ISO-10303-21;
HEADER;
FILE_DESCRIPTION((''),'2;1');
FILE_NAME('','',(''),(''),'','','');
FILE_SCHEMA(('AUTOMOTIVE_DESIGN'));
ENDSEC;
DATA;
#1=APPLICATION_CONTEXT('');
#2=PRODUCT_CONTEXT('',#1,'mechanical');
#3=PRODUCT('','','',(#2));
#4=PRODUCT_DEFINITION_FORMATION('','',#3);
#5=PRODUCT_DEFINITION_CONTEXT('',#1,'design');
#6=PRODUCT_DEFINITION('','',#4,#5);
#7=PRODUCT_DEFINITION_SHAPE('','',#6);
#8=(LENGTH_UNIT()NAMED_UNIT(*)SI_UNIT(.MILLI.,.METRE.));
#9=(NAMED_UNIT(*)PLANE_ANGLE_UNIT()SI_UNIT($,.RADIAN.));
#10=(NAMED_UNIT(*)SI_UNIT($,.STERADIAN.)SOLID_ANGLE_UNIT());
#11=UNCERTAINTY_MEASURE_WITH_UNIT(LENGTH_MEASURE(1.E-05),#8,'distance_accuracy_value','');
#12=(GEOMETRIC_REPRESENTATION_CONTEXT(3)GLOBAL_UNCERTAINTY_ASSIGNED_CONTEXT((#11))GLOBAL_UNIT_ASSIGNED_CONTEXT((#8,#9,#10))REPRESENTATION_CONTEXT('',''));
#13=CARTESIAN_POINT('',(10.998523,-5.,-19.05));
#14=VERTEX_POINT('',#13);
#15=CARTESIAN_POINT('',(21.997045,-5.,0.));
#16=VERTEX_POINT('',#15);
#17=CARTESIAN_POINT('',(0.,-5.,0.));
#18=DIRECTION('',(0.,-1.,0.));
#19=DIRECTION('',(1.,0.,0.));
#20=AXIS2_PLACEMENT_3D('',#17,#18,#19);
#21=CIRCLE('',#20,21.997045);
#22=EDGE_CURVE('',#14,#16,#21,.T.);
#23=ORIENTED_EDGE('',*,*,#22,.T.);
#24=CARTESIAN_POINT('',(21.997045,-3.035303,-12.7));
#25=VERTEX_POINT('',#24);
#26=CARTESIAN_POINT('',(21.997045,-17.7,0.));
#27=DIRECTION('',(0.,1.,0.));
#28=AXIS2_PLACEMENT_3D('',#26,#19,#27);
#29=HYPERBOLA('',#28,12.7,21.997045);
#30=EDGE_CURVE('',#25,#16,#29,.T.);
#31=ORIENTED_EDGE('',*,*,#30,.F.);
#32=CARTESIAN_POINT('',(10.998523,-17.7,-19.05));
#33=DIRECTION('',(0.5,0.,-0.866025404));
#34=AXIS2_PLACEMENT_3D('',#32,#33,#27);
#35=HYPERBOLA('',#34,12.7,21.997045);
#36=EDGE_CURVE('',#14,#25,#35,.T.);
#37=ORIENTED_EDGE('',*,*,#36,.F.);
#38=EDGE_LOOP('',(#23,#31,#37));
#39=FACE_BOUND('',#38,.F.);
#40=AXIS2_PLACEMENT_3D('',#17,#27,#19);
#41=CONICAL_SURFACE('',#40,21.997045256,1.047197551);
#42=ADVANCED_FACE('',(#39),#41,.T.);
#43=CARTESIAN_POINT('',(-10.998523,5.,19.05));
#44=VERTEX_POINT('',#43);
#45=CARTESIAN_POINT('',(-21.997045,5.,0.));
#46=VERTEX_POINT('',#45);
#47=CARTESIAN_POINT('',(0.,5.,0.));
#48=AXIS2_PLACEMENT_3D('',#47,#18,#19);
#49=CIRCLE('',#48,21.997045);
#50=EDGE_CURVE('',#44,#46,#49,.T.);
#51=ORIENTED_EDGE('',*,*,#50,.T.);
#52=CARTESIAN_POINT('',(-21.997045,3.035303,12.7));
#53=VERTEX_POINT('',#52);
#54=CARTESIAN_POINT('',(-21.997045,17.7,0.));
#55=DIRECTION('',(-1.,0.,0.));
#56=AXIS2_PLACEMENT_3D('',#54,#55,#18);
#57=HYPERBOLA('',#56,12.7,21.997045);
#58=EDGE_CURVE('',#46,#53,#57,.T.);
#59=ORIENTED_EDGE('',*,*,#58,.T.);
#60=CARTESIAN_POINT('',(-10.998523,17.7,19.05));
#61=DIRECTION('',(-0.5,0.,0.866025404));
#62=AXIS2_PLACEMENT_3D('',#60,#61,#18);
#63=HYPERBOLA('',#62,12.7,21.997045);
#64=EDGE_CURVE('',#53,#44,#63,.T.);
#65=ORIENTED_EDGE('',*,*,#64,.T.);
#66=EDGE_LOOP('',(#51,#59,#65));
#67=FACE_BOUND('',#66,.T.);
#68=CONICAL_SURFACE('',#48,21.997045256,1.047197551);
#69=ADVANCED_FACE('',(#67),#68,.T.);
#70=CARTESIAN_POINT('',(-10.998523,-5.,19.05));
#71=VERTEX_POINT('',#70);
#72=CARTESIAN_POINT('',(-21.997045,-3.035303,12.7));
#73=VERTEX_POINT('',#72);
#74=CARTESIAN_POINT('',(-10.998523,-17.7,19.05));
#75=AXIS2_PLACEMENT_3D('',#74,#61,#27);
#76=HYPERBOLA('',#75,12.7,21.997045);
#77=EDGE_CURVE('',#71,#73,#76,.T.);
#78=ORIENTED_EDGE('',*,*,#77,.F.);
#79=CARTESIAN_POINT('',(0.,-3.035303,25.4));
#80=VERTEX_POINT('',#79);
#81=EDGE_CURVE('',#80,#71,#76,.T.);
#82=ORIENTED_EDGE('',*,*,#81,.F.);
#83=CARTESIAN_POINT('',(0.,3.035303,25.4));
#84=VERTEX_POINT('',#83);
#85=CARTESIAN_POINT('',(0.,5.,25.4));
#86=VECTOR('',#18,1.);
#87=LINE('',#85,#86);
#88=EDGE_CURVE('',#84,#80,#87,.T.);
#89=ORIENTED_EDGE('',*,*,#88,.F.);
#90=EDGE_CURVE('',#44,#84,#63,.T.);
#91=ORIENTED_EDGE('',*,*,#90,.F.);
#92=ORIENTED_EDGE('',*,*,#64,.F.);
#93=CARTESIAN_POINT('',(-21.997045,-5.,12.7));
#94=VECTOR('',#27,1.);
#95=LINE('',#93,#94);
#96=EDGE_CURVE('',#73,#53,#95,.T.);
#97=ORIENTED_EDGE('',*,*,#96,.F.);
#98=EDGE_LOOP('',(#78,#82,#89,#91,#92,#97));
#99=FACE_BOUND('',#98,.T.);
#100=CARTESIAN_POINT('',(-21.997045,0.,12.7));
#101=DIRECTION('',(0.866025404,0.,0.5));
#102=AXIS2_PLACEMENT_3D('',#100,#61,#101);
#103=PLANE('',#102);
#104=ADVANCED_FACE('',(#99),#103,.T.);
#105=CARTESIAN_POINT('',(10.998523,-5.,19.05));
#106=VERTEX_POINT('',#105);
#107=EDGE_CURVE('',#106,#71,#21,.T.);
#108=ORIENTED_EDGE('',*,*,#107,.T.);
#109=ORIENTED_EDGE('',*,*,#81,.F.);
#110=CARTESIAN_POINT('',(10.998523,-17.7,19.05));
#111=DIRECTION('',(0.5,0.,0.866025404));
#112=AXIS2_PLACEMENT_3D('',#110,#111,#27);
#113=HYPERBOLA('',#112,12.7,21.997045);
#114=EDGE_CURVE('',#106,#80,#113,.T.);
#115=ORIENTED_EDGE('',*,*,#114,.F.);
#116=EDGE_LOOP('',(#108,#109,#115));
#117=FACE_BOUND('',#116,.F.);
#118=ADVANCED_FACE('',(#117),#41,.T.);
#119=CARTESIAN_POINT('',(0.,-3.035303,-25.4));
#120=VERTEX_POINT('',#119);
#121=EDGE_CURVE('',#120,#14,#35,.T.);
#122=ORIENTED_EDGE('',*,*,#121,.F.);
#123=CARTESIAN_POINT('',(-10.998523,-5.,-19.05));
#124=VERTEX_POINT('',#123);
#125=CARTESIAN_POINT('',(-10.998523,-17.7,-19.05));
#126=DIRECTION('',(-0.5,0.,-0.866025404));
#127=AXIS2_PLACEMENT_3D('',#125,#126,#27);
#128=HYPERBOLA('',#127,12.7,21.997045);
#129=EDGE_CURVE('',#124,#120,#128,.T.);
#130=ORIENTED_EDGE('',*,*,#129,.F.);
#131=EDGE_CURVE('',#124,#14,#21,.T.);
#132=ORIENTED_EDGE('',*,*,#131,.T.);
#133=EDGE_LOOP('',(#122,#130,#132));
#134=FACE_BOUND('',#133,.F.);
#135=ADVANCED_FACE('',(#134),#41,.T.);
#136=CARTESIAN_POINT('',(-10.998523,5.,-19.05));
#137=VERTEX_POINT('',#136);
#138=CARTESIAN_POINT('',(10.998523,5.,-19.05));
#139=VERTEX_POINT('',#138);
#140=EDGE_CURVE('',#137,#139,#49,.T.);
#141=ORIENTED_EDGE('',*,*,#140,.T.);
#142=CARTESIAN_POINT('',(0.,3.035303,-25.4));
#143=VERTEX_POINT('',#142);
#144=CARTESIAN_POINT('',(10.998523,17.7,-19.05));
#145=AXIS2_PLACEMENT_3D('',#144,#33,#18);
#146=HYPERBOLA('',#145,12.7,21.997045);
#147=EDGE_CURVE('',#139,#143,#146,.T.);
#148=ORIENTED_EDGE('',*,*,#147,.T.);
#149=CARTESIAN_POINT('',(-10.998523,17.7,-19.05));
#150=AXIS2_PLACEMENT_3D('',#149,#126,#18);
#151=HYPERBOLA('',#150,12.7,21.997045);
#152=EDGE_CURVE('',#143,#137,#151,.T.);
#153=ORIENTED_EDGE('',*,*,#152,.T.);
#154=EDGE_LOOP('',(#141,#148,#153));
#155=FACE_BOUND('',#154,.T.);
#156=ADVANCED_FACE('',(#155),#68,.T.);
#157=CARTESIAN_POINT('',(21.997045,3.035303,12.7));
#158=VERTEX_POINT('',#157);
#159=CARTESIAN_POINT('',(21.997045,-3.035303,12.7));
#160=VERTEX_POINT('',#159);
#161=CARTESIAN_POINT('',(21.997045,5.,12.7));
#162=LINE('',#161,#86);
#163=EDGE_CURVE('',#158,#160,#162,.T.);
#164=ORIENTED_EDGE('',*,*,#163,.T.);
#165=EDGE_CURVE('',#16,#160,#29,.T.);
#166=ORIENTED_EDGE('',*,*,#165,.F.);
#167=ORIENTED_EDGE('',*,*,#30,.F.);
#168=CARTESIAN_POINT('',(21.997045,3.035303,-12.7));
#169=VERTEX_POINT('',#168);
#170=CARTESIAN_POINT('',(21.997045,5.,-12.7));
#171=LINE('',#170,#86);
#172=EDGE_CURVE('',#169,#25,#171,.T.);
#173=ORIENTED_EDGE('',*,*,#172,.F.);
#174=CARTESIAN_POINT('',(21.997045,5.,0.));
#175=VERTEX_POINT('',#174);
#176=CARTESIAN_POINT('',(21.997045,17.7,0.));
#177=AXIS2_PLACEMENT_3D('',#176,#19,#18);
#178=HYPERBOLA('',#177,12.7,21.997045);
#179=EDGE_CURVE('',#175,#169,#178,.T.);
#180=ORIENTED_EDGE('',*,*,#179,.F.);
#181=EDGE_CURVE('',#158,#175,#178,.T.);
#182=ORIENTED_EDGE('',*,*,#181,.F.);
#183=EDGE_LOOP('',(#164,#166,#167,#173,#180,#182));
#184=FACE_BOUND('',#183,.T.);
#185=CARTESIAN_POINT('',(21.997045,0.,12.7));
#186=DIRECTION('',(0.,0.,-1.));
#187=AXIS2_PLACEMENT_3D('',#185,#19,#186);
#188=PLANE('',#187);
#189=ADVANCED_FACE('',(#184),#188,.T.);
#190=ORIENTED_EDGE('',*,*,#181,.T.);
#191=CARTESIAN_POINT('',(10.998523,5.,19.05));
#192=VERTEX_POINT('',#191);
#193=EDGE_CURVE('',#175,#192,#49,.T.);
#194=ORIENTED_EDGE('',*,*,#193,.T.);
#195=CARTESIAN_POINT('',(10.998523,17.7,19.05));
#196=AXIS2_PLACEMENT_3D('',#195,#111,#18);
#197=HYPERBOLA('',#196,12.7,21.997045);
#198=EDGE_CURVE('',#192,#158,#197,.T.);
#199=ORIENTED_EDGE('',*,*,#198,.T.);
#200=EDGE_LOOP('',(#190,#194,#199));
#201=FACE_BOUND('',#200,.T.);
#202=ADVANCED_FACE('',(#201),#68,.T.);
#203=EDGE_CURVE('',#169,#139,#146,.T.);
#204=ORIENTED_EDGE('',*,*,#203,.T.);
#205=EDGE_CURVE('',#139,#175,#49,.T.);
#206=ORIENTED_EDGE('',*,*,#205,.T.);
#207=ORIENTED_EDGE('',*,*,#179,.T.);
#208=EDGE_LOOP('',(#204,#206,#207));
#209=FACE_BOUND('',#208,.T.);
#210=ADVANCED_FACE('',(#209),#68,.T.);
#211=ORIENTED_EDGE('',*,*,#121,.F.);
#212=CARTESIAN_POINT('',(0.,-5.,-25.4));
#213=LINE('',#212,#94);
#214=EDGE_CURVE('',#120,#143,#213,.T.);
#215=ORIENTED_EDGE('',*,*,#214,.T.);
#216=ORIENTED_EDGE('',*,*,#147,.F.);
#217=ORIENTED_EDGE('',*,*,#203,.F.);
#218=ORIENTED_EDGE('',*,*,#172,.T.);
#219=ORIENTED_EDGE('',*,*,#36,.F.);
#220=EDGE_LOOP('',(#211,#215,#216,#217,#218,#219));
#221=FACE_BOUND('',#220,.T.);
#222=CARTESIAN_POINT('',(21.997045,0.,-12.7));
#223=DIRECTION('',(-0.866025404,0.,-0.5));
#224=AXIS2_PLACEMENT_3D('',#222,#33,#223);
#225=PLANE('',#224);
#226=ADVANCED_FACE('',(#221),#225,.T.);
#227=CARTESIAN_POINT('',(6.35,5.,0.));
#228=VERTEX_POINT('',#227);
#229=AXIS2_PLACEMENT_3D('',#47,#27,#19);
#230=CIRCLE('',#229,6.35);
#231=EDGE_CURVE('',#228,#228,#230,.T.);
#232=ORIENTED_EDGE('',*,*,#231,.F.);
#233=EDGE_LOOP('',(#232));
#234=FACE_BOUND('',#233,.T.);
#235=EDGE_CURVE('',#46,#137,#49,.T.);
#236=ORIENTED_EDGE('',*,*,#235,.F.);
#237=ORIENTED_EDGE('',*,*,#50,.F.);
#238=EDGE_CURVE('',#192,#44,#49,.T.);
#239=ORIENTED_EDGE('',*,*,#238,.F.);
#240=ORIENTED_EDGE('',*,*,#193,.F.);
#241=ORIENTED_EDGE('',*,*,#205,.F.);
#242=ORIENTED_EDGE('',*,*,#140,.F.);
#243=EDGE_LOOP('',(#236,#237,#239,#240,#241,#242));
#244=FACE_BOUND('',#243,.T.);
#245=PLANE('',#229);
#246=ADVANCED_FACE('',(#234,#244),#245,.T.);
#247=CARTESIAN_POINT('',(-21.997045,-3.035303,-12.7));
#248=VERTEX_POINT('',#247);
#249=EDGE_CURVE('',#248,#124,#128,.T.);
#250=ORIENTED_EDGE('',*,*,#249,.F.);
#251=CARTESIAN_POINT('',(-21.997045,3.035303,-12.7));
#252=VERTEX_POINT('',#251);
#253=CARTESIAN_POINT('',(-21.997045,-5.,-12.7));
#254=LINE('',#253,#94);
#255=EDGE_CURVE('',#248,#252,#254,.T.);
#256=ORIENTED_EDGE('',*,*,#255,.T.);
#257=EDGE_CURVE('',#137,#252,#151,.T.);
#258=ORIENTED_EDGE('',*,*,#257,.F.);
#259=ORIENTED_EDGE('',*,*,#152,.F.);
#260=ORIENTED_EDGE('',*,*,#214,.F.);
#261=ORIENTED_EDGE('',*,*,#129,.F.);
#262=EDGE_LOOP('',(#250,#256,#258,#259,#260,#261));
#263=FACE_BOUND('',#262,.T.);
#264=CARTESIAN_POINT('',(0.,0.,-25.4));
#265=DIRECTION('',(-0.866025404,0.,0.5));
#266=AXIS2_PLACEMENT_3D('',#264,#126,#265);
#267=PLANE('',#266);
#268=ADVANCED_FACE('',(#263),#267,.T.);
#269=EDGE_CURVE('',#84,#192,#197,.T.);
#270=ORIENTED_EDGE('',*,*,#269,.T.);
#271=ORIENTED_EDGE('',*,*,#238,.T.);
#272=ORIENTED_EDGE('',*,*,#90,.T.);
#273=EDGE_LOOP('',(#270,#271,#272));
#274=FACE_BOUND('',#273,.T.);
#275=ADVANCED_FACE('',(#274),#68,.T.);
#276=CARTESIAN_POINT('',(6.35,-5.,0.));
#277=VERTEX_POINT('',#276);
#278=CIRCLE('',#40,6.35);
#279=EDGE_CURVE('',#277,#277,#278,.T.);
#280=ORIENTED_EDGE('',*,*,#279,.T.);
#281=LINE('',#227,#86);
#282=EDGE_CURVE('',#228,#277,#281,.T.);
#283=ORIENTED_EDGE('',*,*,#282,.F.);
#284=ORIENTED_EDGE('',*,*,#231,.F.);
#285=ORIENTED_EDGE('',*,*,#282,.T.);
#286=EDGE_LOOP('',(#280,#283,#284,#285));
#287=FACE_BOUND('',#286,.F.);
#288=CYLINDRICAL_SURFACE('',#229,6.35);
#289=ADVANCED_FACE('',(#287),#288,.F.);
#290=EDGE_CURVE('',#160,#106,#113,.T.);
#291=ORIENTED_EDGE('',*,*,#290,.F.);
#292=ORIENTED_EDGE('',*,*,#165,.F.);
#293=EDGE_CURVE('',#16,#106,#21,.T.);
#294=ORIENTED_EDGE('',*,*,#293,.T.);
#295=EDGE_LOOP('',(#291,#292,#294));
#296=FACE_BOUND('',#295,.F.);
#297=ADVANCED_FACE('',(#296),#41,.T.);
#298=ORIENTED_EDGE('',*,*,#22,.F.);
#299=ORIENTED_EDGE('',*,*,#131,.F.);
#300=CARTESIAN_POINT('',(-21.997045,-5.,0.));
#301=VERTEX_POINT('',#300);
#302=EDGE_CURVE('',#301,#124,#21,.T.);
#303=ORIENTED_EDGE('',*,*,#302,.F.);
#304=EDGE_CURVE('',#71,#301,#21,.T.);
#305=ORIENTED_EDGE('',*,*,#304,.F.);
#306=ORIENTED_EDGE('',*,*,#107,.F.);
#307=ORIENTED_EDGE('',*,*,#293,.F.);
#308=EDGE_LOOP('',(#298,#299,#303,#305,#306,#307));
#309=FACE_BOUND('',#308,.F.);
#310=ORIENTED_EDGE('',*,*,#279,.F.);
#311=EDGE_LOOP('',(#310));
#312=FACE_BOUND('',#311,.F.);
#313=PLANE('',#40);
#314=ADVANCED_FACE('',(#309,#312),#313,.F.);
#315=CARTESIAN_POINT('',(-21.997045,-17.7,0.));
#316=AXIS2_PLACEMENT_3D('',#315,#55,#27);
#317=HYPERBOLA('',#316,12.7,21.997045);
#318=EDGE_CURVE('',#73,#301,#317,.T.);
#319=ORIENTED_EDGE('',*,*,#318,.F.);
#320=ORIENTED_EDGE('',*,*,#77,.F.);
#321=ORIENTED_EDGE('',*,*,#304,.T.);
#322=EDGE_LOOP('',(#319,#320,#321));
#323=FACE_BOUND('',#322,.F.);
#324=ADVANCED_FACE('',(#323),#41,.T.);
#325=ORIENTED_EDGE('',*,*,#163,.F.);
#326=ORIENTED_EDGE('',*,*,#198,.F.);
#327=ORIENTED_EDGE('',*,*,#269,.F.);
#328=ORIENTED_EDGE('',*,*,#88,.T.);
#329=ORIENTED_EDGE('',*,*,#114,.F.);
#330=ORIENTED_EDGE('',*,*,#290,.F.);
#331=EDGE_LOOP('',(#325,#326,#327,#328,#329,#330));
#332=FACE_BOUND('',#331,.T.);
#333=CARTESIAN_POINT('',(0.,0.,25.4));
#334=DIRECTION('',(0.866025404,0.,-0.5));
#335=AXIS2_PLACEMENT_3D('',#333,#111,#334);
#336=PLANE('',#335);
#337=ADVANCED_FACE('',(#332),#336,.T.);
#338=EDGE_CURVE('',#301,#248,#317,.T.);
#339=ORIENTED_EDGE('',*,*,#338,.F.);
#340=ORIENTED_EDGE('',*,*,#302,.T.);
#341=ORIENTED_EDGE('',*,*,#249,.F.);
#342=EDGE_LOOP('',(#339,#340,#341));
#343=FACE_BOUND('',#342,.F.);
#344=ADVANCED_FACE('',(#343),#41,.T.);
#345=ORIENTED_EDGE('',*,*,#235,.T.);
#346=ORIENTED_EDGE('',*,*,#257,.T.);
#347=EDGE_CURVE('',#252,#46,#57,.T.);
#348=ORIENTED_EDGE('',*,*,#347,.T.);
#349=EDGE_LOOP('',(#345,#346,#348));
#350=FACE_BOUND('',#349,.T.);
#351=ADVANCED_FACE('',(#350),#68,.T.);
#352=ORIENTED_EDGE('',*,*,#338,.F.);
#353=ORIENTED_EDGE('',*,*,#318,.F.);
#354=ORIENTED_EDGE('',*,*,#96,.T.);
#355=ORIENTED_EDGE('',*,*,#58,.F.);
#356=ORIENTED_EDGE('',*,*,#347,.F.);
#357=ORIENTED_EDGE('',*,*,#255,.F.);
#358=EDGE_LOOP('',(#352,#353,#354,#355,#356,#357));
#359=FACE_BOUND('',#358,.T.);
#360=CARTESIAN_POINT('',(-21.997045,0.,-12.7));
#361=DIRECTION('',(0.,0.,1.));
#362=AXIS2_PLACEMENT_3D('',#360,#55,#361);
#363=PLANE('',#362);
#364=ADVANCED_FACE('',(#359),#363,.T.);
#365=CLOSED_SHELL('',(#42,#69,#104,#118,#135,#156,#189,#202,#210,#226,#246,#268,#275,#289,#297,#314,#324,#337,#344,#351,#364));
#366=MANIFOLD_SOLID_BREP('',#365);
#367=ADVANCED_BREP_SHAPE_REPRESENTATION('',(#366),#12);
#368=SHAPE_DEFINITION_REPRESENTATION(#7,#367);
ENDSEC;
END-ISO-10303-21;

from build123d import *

# Parameters (mm, degrees)
BOSS_EXTRUDE1_DEPTH = 5
SKETCH2_R           = 6.35
CUT_EXTRUDE1_DEPTH  = 11
SKETCH3_OUTSIDE_W   = 97.688
SKETCH3_OUTSIDE_H   = 104.494
SKETCH3_OUTSIDE_R   = 21.997045256
CUT_EXTRUDE2_DEPTH  = 11
CUT_EXTRUDE2_TAPER  = 60


with BuildPart() as part:
    # Sketch1 → Boss-Extrude1 (new body, symmetric)
    with BuildSketch(Plane(origin=(0, 0, 0), x_dir=(1, 0, 0), z_dir=(0, 1, 0))):
        Polygon((21.997045256, 12.7), (0, 25.4), (-21.997045256, 12.7), (-21.997045256, -12.7), (0, -25.4), (21.997045256, -12.7), align=None)
    extrude(amount=BOSS_EXTRUDE1_DEPTH, both=True)

    # Sketch2 → Cut-Extrude1 (cut, through all)
    with BuildSketch(Plane(origin=(0, 5, 0), x_dir=(1, 0, 0), z_dir=(0, 1, 0))):
        Circle(SKETCH2_R)
    extrude(amount=-CUT_EXTRUDE1_DEPTH, mode=Mode.SUBTRACT)

    # Sketch3 outside → Cut-Extrude2 (cut, through all)
    with BuildSketch(Plane(origin=(0, 5, 0), x_dir=(1, 0, 0), z_dir=(0, 1, 0))):
        Rectangle(SKETCH3_OUTSIDE_W, SKETCH3_OUTSIDE_H)
        Circle(SKETCH3_OUTSIDE_R, mode=Mode.SUBTRACT)
    cut_extrude2 = extrude(amount=-CUT_EXTRUDE2_DEPTH, taper=CUT_EXTRUDE2_TAPER, mode=Mode.SUBTRACT)

    # Mirror1: Cut-Extrude2 across plane
    add(cut_extrude2.mirror(Plane.ZX), mode=Mode.SUBTRACT)


solid = part.part
